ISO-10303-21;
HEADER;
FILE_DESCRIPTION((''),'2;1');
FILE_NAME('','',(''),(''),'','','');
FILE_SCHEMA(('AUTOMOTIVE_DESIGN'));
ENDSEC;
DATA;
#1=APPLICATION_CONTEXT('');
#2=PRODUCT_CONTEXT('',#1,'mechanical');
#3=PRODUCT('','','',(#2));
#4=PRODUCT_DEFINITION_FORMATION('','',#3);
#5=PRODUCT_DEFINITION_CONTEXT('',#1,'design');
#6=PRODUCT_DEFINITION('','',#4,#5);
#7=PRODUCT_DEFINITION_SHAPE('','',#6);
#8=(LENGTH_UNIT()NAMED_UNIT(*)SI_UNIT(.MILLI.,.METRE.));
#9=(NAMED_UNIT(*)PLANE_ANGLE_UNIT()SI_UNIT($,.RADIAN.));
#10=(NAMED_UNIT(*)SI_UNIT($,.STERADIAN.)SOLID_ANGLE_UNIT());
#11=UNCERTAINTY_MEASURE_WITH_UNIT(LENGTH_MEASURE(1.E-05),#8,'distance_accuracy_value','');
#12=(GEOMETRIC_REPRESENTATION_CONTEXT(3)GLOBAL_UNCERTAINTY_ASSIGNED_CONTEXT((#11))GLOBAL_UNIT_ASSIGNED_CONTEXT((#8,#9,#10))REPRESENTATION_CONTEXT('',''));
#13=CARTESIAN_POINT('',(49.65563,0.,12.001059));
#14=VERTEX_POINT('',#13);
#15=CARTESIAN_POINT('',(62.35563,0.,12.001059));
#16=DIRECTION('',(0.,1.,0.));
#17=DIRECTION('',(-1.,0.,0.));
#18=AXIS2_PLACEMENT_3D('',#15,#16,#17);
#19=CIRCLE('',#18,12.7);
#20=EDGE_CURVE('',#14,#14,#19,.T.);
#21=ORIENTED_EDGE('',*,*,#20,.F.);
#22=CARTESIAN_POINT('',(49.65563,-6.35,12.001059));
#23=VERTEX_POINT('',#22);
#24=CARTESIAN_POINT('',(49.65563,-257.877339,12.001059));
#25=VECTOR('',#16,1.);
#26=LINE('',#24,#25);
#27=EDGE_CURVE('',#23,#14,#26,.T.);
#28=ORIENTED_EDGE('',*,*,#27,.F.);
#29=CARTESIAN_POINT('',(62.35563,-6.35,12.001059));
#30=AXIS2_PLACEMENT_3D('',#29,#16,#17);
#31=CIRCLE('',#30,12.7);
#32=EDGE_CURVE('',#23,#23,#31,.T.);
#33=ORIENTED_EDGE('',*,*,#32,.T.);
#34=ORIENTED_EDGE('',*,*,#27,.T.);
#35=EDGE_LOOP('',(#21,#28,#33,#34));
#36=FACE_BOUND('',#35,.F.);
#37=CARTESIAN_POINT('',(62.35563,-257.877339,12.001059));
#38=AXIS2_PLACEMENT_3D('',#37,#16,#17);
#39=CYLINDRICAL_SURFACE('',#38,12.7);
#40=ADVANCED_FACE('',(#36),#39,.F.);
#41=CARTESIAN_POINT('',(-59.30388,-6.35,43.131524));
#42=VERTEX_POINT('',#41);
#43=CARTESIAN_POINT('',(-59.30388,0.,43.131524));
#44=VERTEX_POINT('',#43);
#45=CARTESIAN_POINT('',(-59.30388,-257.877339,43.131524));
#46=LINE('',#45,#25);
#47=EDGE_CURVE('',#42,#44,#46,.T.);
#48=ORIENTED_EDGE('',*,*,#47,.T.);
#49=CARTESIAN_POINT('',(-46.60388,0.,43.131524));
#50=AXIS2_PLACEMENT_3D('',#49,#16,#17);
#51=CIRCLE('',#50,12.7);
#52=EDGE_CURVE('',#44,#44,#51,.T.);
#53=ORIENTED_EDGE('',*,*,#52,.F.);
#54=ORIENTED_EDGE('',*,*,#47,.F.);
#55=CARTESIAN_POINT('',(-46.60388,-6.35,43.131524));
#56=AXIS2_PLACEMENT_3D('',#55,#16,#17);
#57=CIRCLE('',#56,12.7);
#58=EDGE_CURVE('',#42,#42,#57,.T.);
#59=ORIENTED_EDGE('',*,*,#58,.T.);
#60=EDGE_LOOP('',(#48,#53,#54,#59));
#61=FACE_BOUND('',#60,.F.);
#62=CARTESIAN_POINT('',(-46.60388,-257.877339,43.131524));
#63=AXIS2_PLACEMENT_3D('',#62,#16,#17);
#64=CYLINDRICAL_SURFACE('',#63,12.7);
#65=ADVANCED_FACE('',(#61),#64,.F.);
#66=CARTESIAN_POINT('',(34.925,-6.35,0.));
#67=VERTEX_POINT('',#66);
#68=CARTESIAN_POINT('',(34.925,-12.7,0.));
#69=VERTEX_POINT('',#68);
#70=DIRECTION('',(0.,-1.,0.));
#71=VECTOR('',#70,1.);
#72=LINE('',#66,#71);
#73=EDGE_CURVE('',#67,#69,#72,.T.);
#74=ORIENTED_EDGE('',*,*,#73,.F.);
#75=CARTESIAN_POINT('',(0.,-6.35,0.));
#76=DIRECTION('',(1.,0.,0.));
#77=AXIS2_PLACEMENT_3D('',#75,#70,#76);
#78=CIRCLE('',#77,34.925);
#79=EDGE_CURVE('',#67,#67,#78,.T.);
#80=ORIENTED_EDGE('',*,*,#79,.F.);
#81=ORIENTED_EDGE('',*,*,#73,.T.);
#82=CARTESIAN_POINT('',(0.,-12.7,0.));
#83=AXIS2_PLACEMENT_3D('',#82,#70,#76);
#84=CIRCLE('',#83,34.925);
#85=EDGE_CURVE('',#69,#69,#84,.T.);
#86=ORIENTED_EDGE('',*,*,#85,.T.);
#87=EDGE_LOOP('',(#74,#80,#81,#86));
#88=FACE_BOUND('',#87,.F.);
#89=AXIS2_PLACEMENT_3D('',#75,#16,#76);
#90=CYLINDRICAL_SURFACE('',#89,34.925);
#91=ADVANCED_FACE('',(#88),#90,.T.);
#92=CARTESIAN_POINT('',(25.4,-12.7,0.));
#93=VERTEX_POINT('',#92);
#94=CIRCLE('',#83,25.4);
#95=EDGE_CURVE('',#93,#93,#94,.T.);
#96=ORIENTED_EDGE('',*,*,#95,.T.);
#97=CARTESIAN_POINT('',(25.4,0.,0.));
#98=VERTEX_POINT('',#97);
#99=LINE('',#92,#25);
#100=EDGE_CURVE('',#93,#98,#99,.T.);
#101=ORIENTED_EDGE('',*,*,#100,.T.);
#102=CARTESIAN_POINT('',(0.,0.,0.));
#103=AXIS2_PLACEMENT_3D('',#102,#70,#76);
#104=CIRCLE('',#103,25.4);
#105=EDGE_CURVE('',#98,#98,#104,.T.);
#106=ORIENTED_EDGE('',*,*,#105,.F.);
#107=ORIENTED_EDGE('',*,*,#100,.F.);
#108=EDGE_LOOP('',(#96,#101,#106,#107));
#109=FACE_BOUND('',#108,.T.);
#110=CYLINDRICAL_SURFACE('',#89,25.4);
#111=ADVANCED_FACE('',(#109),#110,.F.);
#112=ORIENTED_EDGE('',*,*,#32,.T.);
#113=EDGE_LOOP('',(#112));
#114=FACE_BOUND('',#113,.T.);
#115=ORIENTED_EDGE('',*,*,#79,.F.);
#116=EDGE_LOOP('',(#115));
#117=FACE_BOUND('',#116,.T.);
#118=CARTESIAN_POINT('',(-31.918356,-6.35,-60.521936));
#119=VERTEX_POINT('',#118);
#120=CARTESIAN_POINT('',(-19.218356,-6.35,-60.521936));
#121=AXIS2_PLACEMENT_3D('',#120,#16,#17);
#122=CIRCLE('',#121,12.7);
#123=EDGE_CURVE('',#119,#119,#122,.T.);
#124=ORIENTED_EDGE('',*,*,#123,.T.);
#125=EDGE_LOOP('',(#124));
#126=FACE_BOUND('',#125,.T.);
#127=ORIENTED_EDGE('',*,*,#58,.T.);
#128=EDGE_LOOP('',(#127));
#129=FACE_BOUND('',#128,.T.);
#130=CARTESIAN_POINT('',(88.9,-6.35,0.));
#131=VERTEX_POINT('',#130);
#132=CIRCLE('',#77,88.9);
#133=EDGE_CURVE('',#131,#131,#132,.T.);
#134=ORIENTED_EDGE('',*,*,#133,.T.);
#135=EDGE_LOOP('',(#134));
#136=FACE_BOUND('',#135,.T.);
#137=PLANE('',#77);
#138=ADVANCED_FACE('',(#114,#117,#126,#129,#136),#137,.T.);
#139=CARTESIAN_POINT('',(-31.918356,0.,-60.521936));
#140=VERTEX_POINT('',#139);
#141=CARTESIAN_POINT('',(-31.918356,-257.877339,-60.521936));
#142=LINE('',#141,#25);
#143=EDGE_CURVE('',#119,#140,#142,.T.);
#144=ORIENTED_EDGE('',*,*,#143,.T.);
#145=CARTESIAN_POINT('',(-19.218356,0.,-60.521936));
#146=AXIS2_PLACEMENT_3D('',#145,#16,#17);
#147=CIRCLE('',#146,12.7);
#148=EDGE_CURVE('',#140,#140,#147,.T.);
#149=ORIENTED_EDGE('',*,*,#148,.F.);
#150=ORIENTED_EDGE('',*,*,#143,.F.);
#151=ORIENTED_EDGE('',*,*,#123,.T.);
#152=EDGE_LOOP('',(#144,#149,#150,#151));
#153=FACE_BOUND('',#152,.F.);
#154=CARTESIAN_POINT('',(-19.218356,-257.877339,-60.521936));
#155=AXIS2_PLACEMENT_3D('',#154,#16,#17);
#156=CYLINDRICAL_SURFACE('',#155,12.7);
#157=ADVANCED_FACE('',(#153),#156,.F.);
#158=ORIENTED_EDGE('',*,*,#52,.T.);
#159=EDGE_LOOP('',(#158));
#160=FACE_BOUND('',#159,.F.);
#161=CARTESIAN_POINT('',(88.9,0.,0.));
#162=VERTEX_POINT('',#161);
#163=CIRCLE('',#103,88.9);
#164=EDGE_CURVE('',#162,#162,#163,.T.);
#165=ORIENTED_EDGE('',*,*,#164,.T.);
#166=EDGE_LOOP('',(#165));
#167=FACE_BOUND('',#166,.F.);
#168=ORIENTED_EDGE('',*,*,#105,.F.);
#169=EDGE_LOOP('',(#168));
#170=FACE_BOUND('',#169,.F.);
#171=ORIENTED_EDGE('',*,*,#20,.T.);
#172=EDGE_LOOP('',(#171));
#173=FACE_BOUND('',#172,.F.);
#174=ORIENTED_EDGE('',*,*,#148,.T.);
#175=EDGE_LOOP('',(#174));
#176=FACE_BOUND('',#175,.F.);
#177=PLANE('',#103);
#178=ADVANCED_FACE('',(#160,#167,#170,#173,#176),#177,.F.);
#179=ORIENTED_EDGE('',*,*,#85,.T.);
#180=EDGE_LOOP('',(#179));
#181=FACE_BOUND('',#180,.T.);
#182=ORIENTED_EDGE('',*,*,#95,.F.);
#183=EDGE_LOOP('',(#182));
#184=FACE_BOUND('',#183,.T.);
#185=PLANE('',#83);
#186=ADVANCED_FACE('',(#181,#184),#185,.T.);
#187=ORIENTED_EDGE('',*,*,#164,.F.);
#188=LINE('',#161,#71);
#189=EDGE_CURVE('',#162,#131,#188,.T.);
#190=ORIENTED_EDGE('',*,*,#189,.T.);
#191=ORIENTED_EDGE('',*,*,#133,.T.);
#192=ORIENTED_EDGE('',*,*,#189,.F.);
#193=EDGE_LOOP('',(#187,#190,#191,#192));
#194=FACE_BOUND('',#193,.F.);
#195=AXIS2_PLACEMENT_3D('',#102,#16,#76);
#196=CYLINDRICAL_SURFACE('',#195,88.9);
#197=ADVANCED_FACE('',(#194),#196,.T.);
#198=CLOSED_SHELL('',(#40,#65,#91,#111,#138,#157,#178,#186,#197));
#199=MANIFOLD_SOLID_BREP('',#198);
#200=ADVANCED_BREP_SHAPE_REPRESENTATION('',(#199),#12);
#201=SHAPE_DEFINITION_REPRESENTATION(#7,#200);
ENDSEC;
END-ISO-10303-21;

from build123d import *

# Parameters (mm, degrees)
F0_R     = 88.9
F0_R_2   = 25.4
F1_DEPTH = 6.35
F3_D     = 25.4
F4_R     = 34.925
F4_R_2   = 25.4
F5_DEPTH = 6.35


with BuildPart() as f1:
    # F0 (on Front) → F1 (new body)
    with BuildSketch(Plane.XZ):
        Circle(F0_R)
        Circle(F0_R_2, mode=Mode.SUBTRACT)
    extrude(amount=F1_DEPTH)

    # F3 (through all)
    with Locations(Plane.XZ.offset(6.35)):
        with Locations((-46.60388, 43.131524), (62.35563, 12.001059), (-19.218356, -60.521936)):
            Hole(F3_D / 2)

    # F4 (on face) → F5 (join)
    with BuildSketch(Plane.XZ.offset(6.35)):
        Circle(F4_R)
        Circle(F4_R_2, mode=Mode.SUBTRACT)
    extrude(amount=F5_DEPTH)


solid = f1.part
